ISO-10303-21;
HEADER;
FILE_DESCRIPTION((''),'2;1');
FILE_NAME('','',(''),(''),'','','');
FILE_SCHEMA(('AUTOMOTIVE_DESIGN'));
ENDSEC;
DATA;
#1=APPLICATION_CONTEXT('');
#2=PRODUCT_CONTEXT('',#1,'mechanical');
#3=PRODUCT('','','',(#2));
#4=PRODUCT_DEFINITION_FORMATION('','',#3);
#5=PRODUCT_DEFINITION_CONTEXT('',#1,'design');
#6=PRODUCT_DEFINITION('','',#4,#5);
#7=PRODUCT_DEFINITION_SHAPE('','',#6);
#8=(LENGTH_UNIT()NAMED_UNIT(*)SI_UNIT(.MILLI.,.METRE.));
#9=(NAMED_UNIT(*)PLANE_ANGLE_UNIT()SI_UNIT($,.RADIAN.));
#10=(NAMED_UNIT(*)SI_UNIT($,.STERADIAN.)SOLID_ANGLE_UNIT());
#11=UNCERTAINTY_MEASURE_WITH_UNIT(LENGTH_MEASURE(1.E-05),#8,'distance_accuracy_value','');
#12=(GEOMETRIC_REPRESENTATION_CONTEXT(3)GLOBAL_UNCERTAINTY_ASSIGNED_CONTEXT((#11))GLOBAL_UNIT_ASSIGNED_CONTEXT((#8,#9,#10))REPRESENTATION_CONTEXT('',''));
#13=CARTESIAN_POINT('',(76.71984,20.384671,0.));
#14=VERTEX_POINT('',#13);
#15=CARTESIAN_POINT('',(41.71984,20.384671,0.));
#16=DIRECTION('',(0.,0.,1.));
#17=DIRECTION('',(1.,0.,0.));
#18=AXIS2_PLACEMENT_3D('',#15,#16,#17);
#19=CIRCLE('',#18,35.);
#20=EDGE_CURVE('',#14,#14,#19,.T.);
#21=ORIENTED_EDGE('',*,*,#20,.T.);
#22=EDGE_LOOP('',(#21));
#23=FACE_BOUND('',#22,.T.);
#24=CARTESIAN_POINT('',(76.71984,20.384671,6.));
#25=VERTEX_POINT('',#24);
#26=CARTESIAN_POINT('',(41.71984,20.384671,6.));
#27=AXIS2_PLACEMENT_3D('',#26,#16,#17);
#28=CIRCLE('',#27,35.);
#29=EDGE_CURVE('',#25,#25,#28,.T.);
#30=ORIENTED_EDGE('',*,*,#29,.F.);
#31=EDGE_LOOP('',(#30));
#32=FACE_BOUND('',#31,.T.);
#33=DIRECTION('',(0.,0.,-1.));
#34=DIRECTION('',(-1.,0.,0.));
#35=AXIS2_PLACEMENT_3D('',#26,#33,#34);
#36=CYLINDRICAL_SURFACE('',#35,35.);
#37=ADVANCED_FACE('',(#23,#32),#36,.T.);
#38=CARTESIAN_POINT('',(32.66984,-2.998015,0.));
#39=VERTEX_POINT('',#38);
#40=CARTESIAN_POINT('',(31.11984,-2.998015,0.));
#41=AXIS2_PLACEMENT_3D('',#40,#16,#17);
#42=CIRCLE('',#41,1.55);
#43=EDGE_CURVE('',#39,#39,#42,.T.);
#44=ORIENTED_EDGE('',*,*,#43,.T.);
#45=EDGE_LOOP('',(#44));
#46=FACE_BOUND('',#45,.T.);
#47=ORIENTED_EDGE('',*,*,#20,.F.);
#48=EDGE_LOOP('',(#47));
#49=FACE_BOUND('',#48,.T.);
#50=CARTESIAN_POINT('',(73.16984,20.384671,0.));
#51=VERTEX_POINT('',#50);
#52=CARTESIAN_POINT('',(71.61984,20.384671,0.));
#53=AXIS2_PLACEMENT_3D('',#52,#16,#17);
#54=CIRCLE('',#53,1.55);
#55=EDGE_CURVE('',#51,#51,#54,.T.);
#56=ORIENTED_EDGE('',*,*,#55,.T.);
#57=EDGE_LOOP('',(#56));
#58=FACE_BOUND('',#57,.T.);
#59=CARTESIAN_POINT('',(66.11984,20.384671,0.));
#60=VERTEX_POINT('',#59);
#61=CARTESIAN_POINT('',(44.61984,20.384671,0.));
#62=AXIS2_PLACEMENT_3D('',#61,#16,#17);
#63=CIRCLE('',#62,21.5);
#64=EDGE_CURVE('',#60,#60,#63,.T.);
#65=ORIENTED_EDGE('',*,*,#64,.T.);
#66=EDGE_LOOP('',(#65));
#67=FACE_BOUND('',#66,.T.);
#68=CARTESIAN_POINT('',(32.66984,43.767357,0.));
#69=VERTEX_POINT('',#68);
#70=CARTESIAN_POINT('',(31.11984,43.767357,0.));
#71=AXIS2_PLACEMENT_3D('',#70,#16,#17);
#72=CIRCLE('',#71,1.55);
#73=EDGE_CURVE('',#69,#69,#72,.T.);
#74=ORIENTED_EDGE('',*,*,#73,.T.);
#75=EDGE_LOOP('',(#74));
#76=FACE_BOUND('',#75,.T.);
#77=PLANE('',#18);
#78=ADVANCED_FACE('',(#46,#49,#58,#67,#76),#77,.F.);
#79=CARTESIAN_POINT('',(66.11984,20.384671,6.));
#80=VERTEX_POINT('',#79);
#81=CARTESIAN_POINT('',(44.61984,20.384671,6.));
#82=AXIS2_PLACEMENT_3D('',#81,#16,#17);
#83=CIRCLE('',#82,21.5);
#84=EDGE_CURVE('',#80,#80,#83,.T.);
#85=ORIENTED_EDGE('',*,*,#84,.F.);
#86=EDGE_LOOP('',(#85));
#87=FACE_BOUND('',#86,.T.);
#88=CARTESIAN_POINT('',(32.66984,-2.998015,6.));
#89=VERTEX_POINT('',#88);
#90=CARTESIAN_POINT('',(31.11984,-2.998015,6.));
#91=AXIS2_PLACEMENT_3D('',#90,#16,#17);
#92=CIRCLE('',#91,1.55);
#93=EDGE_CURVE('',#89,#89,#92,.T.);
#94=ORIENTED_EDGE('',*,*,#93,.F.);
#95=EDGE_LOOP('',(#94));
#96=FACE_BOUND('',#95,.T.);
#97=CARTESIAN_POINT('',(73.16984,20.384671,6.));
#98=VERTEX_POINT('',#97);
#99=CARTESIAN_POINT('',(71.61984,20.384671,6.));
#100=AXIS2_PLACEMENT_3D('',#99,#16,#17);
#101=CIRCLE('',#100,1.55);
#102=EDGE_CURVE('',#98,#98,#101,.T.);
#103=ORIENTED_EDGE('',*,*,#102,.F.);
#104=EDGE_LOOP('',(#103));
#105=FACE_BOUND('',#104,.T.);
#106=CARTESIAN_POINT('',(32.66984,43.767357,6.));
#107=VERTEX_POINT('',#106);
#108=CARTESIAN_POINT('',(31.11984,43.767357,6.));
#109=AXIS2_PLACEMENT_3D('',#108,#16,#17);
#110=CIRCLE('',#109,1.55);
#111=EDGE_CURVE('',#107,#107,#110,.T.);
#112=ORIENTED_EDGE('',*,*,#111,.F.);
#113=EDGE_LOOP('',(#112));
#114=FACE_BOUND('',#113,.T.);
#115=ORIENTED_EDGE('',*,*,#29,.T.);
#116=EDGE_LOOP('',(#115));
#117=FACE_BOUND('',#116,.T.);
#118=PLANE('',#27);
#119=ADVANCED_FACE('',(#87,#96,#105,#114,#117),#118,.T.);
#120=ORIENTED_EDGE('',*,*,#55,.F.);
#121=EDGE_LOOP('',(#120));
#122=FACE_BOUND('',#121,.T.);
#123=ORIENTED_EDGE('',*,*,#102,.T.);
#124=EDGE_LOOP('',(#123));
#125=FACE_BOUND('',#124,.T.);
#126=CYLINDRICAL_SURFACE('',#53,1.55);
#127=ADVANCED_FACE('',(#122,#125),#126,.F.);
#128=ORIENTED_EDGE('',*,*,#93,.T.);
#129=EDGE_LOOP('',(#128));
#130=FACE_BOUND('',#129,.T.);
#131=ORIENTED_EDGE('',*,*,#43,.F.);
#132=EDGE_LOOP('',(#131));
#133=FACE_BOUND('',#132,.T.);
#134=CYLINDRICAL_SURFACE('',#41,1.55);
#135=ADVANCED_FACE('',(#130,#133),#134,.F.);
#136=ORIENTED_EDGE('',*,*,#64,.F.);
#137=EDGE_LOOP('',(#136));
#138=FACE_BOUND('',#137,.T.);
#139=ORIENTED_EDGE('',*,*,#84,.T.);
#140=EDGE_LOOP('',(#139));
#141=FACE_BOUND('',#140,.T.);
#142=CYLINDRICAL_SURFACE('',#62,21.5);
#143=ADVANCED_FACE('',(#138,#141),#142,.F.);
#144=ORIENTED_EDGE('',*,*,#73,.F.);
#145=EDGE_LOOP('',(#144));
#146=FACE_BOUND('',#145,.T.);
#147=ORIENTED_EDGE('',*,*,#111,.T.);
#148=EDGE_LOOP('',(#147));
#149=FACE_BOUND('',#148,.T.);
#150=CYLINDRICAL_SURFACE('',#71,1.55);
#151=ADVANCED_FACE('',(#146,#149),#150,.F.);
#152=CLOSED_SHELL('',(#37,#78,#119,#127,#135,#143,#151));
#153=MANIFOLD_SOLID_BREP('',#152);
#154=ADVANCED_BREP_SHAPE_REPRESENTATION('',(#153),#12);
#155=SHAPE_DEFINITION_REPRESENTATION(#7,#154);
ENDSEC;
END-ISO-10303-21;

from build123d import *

# Parameters (mm, degrees)
SZKIC1_R                    = 35
DODANIE_WYCI_GNI_CIE1_DEPTH = 6
SZKIC3_R                    = 21.5
WYTNIJ_WYCI_GNI_CIE1_DEPTH  = 6
SZKIC4_R                    = 1.55
WYTNIJ_WYCI_GNI_CIE2_DEPTH  = 6


with BuildPart() as part:
    # Szkic1 → Dodanie-wyciągnięcie1 (new body)
    with BuildSketch(Plane.XY):
        with Locations((41.719839871, 20.384670663)):
            Circle(SZKIC1_R)
    extrude(amount=DODANIE_WYCI_GNI_CIE1_DEPTH)

    # Szkic3 → Wytnij-wyciągnięcie1 (cut)
    with BuildSketch(Plane.XY.offset(6)):
        with Locations((44.619839871, 20.384670663)):
            Circle(SZKIC3_R)
    extrude(amount=-WYTNIJ_WYCI_GNI_CIE1_DEPTH, mode=Mode.SUBTRACT)

    # Szkic4 → Wytnij-wyciągnięcie2 (cut)
    with BuildSketch(Plane.XY.offset(6)):
        with Locations((31.119839871, -2.99801524)):
            Circle(SZKIC4_R)
        with Locations((71.619839871, 20.384670663)):
            Circle(SZKIC4_R)
        with Locations((31.119839871, 43.767356565)):
            Circle(SZKIC4_R)
    extrude(amount=-WYTNIJ_WYCI_GNI_CIE2_DEPTH, mode=Mode.SUBTRACT)


solid = part.part
